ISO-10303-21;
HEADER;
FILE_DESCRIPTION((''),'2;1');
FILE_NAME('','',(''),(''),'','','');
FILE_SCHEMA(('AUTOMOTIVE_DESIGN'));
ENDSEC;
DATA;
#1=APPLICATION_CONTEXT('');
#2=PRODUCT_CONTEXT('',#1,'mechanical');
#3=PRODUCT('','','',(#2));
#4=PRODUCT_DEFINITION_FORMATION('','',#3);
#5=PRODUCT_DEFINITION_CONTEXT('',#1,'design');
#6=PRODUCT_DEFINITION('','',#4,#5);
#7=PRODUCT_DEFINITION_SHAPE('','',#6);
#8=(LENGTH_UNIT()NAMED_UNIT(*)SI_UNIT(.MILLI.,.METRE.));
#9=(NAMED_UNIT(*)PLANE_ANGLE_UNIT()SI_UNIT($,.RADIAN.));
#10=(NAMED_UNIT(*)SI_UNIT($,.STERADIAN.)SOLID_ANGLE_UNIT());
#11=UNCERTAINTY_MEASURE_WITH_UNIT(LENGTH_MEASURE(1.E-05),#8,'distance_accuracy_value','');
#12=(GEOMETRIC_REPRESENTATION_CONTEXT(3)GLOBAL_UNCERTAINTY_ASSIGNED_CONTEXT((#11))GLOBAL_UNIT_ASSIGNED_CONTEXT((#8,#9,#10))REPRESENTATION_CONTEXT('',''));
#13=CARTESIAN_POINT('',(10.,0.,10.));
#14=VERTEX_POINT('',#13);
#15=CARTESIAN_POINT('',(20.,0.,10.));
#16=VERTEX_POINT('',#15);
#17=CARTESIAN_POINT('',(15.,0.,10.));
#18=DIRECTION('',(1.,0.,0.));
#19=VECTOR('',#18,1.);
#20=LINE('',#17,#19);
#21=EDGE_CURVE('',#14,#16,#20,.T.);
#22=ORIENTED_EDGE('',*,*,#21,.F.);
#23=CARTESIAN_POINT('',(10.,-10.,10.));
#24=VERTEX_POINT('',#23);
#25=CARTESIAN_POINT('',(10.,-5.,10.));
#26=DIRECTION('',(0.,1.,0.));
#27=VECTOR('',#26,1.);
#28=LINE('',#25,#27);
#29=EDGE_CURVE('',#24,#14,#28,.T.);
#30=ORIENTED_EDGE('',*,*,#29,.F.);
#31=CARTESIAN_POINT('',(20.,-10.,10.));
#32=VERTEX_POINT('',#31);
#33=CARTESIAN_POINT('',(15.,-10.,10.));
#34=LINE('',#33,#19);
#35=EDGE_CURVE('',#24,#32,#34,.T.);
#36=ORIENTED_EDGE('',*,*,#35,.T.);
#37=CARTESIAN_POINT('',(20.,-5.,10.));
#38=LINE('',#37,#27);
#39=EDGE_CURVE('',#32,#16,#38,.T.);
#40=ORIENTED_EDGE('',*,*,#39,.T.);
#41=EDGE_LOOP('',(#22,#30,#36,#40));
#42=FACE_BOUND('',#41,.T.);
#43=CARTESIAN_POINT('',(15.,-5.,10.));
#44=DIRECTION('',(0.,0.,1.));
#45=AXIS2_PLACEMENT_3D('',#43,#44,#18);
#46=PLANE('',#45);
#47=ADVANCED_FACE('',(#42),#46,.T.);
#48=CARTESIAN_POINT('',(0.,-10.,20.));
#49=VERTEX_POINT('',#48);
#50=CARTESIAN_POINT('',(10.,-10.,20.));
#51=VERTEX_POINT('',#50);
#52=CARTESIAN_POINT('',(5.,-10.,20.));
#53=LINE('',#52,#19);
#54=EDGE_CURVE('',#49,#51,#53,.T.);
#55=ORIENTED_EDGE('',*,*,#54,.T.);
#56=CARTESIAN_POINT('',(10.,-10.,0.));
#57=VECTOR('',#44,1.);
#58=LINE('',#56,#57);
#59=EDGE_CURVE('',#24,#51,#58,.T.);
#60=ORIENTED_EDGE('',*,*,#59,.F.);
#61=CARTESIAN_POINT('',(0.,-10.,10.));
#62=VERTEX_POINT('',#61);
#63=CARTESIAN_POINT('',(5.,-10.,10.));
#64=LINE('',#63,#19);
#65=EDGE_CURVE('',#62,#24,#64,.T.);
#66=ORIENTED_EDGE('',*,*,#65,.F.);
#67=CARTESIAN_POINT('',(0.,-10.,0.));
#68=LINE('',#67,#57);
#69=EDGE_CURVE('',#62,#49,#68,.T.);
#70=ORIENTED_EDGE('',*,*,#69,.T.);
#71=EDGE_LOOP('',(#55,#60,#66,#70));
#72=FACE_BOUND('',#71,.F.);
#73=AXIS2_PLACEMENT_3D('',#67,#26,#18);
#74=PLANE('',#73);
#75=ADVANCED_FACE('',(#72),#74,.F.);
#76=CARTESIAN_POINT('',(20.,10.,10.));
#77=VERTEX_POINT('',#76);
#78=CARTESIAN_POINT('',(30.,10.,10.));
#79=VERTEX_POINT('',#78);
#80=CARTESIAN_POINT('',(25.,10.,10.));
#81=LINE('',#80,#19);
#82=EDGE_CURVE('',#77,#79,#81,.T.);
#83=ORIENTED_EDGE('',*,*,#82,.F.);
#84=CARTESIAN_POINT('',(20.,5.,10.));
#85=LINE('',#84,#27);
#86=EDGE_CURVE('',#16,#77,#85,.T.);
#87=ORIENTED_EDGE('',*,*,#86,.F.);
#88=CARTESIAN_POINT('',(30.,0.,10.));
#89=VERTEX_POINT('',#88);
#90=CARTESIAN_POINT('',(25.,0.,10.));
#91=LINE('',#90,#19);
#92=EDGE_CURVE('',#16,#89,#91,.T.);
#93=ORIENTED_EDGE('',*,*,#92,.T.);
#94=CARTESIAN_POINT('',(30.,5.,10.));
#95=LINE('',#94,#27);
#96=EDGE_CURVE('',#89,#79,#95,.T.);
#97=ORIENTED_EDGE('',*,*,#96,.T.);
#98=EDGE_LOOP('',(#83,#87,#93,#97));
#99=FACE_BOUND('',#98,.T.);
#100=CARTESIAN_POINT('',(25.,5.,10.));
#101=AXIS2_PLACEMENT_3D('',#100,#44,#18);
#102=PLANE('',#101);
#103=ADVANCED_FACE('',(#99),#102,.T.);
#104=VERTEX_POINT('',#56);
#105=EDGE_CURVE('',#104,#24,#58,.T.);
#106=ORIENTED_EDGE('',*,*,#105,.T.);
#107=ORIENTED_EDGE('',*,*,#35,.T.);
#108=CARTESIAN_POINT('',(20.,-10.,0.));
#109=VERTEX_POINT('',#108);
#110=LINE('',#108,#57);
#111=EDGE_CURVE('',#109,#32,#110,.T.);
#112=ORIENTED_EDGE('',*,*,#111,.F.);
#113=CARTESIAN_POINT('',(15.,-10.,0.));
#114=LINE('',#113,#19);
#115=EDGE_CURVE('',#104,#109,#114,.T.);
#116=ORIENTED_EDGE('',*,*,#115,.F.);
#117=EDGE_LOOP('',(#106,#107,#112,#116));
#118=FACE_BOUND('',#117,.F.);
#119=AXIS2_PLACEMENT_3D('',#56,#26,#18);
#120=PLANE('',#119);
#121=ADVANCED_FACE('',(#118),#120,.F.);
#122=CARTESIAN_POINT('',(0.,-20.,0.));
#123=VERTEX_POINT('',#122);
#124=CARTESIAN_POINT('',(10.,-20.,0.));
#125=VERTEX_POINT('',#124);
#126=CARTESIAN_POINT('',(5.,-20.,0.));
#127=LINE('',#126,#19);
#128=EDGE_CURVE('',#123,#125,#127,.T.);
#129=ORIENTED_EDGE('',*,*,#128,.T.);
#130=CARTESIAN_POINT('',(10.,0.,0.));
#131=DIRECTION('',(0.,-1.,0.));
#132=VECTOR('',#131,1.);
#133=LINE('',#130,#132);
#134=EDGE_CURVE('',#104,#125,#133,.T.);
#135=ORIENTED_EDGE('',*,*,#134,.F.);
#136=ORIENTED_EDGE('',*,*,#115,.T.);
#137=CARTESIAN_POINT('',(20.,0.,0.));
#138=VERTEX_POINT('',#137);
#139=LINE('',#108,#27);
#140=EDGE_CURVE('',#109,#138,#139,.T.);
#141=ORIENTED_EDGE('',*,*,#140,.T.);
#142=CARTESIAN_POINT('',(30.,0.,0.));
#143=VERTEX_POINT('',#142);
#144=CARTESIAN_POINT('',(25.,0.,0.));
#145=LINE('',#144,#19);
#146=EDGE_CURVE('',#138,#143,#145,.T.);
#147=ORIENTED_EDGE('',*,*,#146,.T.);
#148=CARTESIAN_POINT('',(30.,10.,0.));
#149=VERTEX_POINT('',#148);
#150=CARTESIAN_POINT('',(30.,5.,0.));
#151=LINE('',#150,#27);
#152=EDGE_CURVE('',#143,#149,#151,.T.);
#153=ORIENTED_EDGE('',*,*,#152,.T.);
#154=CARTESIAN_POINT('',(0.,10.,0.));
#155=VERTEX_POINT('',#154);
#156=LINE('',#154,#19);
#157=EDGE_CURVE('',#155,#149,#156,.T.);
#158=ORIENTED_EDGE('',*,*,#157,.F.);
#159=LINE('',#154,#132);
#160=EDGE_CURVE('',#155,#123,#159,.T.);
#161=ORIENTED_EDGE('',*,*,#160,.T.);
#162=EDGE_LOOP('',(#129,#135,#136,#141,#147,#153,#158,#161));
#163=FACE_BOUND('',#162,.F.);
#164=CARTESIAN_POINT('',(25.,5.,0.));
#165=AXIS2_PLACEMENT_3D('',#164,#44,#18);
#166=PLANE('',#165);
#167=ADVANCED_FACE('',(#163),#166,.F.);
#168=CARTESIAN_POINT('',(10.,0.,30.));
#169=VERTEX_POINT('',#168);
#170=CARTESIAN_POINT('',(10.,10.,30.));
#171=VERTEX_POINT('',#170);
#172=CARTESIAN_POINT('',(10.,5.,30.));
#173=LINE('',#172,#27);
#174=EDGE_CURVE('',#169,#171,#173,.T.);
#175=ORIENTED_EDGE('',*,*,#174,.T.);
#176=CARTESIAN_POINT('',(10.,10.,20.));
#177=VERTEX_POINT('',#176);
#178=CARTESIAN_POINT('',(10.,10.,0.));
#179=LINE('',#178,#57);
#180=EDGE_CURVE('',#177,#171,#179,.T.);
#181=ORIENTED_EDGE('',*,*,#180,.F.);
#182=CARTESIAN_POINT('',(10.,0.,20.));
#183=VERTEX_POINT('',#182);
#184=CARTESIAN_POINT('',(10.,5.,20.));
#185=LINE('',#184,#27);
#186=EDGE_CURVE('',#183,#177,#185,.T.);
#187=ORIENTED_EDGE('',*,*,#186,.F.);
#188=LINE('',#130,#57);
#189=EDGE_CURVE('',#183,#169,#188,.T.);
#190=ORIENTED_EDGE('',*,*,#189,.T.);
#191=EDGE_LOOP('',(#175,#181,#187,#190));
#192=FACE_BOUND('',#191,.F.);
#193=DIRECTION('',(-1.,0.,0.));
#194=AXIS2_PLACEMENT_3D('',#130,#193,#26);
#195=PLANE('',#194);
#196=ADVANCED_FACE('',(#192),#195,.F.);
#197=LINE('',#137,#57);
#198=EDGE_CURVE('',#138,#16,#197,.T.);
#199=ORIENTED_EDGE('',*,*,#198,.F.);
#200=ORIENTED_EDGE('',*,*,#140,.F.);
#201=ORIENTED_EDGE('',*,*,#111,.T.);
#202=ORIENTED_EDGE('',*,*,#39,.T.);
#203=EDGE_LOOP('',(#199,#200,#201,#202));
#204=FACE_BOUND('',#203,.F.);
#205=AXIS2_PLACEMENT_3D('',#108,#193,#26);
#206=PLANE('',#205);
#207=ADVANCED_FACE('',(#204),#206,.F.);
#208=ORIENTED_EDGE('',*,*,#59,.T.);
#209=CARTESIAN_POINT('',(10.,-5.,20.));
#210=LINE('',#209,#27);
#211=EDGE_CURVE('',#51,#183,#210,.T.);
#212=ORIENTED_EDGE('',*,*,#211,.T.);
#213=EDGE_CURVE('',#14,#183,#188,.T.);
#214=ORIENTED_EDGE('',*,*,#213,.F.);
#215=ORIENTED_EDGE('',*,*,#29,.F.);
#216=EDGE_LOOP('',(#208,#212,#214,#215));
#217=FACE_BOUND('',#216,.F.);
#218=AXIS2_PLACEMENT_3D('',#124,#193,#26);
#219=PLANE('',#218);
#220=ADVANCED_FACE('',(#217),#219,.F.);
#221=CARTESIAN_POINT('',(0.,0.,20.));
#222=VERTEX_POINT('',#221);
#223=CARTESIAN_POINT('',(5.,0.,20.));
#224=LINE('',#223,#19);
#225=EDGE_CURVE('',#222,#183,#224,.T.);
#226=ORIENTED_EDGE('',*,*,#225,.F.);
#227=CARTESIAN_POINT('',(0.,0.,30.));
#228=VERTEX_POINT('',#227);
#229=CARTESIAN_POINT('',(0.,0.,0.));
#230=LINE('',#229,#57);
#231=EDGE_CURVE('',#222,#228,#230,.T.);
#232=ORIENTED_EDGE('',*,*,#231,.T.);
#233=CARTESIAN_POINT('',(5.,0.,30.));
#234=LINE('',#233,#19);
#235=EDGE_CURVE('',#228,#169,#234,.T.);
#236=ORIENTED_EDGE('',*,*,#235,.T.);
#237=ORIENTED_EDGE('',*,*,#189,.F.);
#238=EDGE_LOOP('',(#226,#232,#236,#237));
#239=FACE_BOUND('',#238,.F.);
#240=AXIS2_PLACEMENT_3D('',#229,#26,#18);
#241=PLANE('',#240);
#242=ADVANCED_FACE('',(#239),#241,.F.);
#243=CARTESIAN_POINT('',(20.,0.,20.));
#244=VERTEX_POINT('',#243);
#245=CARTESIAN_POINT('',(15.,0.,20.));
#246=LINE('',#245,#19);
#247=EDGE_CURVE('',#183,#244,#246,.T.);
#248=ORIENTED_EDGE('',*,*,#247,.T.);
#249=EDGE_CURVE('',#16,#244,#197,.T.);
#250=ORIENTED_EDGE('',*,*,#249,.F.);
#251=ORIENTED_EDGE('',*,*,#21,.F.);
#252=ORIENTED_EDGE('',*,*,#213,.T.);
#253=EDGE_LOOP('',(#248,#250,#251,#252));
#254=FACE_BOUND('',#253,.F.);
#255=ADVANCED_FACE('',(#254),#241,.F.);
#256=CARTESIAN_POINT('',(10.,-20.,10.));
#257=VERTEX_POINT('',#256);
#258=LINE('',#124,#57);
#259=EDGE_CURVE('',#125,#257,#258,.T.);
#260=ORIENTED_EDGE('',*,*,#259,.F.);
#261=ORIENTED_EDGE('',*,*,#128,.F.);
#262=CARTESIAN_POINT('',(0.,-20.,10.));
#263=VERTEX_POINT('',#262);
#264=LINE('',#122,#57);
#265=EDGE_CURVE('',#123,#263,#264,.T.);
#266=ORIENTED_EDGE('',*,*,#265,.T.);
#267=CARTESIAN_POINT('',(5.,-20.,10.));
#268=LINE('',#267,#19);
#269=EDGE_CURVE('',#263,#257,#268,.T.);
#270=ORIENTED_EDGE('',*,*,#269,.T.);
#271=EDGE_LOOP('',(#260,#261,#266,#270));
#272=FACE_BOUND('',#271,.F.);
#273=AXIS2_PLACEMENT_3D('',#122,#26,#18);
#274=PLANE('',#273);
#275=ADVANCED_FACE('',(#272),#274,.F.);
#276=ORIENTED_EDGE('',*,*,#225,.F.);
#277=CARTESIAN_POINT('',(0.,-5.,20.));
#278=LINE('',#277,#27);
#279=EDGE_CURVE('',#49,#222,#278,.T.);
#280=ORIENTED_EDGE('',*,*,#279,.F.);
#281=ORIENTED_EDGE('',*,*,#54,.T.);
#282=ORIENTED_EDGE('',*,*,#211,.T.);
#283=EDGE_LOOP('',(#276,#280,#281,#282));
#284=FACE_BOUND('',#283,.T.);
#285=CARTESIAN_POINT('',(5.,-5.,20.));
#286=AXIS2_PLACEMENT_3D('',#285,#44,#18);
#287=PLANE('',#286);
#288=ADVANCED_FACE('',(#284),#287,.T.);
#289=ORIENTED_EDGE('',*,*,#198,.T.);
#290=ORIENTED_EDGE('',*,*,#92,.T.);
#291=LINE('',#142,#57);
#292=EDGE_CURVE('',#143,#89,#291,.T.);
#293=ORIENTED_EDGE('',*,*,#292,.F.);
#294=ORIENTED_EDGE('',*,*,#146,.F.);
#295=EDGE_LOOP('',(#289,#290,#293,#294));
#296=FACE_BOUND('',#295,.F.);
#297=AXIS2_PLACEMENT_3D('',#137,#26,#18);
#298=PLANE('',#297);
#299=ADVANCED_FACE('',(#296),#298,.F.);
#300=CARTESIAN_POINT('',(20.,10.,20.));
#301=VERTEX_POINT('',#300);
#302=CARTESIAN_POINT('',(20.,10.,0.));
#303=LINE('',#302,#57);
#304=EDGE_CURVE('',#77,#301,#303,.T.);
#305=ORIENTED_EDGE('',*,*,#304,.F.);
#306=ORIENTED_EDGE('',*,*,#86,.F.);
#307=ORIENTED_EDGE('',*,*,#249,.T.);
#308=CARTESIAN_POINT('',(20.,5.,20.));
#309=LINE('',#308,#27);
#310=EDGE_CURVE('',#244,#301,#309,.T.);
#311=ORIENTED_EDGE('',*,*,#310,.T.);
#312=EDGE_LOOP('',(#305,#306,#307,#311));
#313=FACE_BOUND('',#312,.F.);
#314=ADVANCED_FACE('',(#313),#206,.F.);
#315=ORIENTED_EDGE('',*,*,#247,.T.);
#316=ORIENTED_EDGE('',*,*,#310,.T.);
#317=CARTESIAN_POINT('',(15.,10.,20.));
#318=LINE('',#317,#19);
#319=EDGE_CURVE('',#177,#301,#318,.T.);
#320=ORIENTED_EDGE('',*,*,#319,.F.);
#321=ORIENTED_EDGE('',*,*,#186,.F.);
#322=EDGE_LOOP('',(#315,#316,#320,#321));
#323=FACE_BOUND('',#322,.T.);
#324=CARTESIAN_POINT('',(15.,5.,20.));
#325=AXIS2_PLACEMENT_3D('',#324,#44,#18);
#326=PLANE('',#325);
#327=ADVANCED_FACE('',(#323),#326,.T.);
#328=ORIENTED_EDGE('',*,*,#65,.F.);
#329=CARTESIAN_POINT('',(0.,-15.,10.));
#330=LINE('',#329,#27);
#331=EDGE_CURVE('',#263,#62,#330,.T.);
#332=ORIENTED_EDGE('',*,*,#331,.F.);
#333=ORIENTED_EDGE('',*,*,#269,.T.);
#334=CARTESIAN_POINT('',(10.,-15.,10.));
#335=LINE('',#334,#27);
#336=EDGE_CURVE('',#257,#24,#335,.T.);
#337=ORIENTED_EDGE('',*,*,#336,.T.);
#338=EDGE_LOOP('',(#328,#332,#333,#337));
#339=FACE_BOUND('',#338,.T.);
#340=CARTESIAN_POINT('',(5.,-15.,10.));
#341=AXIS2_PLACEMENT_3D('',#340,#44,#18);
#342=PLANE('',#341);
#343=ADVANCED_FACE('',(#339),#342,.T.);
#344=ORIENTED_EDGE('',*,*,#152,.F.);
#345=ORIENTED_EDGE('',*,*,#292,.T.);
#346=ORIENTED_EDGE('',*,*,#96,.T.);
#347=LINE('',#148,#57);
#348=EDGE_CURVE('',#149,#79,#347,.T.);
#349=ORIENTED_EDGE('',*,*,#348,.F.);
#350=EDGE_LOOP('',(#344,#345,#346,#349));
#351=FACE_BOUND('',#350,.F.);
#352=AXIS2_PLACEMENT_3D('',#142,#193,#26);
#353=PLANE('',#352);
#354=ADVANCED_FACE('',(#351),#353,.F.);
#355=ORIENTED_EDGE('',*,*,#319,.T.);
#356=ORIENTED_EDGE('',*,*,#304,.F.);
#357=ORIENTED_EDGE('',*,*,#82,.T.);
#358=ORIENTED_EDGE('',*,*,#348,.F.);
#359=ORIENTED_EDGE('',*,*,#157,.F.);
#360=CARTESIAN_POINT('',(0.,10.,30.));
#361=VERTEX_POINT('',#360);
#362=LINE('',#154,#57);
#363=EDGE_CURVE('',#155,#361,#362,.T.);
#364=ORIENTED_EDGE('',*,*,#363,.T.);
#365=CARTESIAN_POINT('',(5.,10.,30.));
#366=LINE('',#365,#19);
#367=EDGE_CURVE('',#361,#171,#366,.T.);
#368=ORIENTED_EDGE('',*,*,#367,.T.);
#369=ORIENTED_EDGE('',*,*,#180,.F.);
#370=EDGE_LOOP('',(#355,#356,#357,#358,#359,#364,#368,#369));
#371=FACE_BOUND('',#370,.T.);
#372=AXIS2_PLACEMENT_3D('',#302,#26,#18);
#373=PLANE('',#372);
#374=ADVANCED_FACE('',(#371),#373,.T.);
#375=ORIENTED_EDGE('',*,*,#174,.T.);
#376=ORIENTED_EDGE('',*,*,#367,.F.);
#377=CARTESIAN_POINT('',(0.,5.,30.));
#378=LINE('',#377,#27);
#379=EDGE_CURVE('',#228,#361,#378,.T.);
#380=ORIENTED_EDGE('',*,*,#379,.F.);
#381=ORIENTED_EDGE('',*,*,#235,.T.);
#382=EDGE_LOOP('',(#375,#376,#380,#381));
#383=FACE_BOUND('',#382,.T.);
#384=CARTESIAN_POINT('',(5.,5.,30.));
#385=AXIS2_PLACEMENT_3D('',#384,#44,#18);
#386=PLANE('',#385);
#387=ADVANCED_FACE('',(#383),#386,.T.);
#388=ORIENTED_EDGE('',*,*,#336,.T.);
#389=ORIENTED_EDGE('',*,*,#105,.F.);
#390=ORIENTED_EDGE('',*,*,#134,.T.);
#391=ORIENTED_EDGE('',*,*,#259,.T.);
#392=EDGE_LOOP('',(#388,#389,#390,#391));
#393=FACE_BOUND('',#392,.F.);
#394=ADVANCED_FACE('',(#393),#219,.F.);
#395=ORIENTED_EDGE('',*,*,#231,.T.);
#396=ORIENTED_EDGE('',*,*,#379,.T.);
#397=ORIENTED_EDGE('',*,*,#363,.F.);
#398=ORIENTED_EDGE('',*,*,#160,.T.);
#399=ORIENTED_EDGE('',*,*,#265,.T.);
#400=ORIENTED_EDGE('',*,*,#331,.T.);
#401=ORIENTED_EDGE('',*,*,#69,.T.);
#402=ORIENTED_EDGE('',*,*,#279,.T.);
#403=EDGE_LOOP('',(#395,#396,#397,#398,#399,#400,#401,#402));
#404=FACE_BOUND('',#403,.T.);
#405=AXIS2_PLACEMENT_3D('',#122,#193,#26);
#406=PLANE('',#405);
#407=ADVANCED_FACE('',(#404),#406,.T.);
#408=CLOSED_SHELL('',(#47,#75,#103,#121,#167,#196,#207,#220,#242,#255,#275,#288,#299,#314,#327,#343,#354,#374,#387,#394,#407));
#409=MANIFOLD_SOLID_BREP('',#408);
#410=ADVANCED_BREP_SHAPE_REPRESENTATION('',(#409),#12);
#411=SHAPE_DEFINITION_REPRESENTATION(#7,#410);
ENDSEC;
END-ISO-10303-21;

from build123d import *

# Parameters (mm, degrees)
BOX001_W     = 10
BOX001_H     = 10
BOX001_DEPTH = 30
BOX002_W     = 10
BOX002_H     = 10
BOX002_DEPTH = 20
BOX003_W     = 10
BOX003_H     = 10
BOX003_DEPTH = 10
BOX004_W     = 10
BOX004_H     = 10
BOX004_DEPTH = 10
BOX005_W     = 10
BOX005_H     = 10
BOX005_DEPTH = 10
BOX_W        = 10
BOX_H        = 10
BOX_DEPTH    = 20


with BuildPart() as cub_de_tres_nivells:
    # Box001 → Box001 (new body)
    with BuildSketch(Plane.XY):
        with Locations((5, 5)):
            Rectangle(BOX001_W, BOX001_H)
    extrude(amount=BOX001_DEPTH)


with BuildPart() as cub_de_dos_nivells2:
    # Box002 → Box002 (new body)
    with BuildSketch(Plane(origin=(0, -10, 0), x_dir=(1, 0, 0), z_dir=(0, 0, 1))):
        with Locations((5, 5)):
            Rectangle(BOX002_W, BOX002_H)
    extrude(amount=BOX002_DEPTH)


with BuildPart() as cub_de_un_nivell1:
    # Box003 → Box003 (new body)
    with BuildSketch(Plane(origin=(0, -20, 0), x_dir=(1, 0, 0), z_dir=(0, 0, 1))):
        with Locations((5, 5)):
            Rectangle(BOX003_W, BOX003_H)
    extrude(amount=BOX003_DEPTH)


with BuildPart() as cub_de_un_nivell2:
    # Box004 → Box004 (new body)
    with BuildSketch(Plane(origin=(10, -10, 0), x_dir=(1, 0, 0), z_dir=(0, 0, 1))):
        with Locations((5, 5)):
            Rectangle(BOX004_W, BOX004_H)
    extrude(amount=BOX004_DEPTH)


with BuildPart() as cub_de_un_nivell3:
    # Box005 → Box005 (new body)
    with BuildSketch(Plane(origin=(20, 0, 0), x_dir=(1, 0, 0), z_dir=(0, 0, 1))):
        with Locations((5, 5)):
            Rectangle(BOX005_W, BOX005_H)
    extrude(amount=BOX005_DEPTH)


with BuildPart() as fusion001:
    # Box → Box (new body)
    with BuildSketch(Plane(origin=(10, 0, 0), x_dir=(1, 0, 0), z_dir=(0, 0, 1))):
        with Locations((5, 5)):
            Rectangle(BOX_W, BOX_H)
    extrude(amount=BOX_DEPTH)

    # Fusion: union Cub_de_tres_nivells, Cub_de_dos_nivells2, Cub_de_un_nivell1, Cub_de_un_nivell2, Cub_de_un_nivell3
    add(cub_de_tres_nivells.part)
    add(cub_de_dos_nivells2.part)
    add(cub_de_un_nivell1.part)
    add(cub_de_un_nivell2.part)
    add(cub_de_un_nivell3.part)


solid = fusion001.part
